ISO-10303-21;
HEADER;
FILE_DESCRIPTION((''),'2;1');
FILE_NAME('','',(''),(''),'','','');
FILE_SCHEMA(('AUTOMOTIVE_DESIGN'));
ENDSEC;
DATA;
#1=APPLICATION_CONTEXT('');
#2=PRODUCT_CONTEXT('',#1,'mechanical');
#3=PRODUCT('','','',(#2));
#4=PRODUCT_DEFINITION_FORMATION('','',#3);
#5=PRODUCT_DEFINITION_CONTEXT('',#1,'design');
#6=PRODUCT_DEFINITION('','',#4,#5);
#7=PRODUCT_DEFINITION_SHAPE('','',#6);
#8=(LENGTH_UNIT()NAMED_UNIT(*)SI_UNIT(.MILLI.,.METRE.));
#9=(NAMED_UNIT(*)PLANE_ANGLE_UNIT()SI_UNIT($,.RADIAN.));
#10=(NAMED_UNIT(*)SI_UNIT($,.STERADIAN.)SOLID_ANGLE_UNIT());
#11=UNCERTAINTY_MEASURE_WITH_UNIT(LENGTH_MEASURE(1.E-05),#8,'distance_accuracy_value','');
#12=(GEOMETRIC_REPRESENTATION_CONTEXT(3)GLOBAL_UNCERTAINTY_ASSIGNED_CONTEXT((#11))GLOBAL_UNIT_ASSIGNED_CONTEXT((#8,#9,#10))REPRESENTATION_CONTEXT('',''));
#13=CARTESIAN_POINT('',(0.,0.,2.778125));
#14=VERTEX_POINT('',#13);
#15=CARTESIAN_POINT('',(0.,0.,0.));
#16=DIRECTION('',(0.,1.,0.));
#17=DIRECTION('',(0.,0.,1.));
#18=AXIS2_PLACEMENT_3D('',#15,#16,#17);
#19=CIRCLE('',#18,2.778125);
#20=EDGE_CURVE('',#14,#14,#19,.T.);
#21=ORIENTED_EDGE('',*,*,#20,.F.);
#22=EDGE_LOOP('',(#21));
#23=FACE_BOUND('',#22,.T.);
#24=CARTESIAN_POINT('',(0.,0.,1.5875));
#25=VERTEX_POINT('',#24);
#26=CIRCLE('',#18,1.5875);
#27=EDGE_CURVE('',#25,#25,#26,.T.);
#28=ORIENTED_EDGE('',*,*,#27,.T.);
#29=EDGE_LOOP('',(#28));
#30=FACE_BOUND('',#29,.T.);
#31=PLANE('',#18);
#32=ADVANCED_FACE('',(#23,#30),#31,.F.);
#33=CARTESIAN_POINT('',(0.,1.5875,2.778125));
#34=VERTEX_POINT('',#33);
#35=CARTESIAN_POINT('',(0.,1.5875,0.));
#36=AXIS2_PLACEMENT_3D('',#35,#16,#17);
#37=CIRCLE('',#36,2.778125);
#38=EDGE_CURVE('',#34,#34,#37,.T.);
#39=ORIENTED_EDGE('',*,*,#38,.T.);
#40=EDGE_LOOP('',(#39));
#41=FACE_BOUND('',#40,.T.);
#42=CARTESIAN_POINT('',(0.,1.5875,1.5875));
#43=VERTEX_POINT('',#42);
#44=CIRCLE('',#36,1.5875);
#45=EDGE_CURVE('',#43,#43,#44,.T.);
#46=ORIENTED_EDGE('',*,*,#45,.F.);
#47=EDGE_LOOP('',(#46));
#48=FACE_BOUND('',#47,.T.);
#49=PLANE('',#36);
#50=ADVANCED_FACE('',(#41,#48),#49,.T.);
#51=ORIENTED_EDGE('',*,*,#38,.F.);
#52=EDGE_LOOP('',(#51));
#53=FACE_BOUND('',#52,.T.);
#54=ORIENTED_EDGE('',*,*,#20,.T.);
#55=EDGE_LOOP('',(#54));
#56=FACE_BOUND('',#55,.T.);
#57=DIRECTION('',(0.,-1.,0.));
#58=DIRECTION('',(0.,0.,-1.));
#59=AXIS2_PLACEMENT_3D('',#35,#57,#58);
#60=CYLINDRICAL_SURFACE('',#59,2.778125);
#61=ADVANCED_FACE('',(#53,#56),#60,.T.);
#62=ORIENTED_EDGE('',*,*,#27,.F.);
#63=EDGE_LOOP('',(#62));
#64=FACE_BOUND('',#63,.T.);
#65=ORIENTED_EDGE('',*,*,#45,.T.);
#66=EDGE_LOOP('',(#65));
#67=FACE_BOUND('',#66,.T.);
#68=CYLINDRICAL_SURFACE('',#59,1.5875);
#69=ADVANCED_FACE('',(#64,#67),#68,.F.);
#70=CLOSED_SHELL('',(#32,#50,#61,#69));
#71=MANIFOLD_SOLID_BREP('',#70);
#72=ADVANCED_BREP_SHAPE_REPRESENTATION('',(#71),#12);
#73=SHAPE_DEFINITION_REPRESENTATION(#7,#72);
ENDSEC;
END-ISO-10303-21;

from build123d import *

# Parameters (mm, degrees)
SKETCH1_R           = 2.778125
SKETCH1_R_2         = 1.5875
BOSS_EXTRUDE1_DEPTH = 1.5875


with BuildPart() as part:
    # Sketch1 → Boss-Extrude1 (new body)
    with BuildSketch(Plane(origin=(0, 0, 0), x_dir=(1, 0, 0), z_dir=(0, 1, 0))):
        Circle(SKETCH1_R)
        Circle(SKETCH1_R_2, mode=Mode.SUBTRACT)
    extrude(amount=BOSS_EXTRUDE1_DEPTH)


solid = part.part
